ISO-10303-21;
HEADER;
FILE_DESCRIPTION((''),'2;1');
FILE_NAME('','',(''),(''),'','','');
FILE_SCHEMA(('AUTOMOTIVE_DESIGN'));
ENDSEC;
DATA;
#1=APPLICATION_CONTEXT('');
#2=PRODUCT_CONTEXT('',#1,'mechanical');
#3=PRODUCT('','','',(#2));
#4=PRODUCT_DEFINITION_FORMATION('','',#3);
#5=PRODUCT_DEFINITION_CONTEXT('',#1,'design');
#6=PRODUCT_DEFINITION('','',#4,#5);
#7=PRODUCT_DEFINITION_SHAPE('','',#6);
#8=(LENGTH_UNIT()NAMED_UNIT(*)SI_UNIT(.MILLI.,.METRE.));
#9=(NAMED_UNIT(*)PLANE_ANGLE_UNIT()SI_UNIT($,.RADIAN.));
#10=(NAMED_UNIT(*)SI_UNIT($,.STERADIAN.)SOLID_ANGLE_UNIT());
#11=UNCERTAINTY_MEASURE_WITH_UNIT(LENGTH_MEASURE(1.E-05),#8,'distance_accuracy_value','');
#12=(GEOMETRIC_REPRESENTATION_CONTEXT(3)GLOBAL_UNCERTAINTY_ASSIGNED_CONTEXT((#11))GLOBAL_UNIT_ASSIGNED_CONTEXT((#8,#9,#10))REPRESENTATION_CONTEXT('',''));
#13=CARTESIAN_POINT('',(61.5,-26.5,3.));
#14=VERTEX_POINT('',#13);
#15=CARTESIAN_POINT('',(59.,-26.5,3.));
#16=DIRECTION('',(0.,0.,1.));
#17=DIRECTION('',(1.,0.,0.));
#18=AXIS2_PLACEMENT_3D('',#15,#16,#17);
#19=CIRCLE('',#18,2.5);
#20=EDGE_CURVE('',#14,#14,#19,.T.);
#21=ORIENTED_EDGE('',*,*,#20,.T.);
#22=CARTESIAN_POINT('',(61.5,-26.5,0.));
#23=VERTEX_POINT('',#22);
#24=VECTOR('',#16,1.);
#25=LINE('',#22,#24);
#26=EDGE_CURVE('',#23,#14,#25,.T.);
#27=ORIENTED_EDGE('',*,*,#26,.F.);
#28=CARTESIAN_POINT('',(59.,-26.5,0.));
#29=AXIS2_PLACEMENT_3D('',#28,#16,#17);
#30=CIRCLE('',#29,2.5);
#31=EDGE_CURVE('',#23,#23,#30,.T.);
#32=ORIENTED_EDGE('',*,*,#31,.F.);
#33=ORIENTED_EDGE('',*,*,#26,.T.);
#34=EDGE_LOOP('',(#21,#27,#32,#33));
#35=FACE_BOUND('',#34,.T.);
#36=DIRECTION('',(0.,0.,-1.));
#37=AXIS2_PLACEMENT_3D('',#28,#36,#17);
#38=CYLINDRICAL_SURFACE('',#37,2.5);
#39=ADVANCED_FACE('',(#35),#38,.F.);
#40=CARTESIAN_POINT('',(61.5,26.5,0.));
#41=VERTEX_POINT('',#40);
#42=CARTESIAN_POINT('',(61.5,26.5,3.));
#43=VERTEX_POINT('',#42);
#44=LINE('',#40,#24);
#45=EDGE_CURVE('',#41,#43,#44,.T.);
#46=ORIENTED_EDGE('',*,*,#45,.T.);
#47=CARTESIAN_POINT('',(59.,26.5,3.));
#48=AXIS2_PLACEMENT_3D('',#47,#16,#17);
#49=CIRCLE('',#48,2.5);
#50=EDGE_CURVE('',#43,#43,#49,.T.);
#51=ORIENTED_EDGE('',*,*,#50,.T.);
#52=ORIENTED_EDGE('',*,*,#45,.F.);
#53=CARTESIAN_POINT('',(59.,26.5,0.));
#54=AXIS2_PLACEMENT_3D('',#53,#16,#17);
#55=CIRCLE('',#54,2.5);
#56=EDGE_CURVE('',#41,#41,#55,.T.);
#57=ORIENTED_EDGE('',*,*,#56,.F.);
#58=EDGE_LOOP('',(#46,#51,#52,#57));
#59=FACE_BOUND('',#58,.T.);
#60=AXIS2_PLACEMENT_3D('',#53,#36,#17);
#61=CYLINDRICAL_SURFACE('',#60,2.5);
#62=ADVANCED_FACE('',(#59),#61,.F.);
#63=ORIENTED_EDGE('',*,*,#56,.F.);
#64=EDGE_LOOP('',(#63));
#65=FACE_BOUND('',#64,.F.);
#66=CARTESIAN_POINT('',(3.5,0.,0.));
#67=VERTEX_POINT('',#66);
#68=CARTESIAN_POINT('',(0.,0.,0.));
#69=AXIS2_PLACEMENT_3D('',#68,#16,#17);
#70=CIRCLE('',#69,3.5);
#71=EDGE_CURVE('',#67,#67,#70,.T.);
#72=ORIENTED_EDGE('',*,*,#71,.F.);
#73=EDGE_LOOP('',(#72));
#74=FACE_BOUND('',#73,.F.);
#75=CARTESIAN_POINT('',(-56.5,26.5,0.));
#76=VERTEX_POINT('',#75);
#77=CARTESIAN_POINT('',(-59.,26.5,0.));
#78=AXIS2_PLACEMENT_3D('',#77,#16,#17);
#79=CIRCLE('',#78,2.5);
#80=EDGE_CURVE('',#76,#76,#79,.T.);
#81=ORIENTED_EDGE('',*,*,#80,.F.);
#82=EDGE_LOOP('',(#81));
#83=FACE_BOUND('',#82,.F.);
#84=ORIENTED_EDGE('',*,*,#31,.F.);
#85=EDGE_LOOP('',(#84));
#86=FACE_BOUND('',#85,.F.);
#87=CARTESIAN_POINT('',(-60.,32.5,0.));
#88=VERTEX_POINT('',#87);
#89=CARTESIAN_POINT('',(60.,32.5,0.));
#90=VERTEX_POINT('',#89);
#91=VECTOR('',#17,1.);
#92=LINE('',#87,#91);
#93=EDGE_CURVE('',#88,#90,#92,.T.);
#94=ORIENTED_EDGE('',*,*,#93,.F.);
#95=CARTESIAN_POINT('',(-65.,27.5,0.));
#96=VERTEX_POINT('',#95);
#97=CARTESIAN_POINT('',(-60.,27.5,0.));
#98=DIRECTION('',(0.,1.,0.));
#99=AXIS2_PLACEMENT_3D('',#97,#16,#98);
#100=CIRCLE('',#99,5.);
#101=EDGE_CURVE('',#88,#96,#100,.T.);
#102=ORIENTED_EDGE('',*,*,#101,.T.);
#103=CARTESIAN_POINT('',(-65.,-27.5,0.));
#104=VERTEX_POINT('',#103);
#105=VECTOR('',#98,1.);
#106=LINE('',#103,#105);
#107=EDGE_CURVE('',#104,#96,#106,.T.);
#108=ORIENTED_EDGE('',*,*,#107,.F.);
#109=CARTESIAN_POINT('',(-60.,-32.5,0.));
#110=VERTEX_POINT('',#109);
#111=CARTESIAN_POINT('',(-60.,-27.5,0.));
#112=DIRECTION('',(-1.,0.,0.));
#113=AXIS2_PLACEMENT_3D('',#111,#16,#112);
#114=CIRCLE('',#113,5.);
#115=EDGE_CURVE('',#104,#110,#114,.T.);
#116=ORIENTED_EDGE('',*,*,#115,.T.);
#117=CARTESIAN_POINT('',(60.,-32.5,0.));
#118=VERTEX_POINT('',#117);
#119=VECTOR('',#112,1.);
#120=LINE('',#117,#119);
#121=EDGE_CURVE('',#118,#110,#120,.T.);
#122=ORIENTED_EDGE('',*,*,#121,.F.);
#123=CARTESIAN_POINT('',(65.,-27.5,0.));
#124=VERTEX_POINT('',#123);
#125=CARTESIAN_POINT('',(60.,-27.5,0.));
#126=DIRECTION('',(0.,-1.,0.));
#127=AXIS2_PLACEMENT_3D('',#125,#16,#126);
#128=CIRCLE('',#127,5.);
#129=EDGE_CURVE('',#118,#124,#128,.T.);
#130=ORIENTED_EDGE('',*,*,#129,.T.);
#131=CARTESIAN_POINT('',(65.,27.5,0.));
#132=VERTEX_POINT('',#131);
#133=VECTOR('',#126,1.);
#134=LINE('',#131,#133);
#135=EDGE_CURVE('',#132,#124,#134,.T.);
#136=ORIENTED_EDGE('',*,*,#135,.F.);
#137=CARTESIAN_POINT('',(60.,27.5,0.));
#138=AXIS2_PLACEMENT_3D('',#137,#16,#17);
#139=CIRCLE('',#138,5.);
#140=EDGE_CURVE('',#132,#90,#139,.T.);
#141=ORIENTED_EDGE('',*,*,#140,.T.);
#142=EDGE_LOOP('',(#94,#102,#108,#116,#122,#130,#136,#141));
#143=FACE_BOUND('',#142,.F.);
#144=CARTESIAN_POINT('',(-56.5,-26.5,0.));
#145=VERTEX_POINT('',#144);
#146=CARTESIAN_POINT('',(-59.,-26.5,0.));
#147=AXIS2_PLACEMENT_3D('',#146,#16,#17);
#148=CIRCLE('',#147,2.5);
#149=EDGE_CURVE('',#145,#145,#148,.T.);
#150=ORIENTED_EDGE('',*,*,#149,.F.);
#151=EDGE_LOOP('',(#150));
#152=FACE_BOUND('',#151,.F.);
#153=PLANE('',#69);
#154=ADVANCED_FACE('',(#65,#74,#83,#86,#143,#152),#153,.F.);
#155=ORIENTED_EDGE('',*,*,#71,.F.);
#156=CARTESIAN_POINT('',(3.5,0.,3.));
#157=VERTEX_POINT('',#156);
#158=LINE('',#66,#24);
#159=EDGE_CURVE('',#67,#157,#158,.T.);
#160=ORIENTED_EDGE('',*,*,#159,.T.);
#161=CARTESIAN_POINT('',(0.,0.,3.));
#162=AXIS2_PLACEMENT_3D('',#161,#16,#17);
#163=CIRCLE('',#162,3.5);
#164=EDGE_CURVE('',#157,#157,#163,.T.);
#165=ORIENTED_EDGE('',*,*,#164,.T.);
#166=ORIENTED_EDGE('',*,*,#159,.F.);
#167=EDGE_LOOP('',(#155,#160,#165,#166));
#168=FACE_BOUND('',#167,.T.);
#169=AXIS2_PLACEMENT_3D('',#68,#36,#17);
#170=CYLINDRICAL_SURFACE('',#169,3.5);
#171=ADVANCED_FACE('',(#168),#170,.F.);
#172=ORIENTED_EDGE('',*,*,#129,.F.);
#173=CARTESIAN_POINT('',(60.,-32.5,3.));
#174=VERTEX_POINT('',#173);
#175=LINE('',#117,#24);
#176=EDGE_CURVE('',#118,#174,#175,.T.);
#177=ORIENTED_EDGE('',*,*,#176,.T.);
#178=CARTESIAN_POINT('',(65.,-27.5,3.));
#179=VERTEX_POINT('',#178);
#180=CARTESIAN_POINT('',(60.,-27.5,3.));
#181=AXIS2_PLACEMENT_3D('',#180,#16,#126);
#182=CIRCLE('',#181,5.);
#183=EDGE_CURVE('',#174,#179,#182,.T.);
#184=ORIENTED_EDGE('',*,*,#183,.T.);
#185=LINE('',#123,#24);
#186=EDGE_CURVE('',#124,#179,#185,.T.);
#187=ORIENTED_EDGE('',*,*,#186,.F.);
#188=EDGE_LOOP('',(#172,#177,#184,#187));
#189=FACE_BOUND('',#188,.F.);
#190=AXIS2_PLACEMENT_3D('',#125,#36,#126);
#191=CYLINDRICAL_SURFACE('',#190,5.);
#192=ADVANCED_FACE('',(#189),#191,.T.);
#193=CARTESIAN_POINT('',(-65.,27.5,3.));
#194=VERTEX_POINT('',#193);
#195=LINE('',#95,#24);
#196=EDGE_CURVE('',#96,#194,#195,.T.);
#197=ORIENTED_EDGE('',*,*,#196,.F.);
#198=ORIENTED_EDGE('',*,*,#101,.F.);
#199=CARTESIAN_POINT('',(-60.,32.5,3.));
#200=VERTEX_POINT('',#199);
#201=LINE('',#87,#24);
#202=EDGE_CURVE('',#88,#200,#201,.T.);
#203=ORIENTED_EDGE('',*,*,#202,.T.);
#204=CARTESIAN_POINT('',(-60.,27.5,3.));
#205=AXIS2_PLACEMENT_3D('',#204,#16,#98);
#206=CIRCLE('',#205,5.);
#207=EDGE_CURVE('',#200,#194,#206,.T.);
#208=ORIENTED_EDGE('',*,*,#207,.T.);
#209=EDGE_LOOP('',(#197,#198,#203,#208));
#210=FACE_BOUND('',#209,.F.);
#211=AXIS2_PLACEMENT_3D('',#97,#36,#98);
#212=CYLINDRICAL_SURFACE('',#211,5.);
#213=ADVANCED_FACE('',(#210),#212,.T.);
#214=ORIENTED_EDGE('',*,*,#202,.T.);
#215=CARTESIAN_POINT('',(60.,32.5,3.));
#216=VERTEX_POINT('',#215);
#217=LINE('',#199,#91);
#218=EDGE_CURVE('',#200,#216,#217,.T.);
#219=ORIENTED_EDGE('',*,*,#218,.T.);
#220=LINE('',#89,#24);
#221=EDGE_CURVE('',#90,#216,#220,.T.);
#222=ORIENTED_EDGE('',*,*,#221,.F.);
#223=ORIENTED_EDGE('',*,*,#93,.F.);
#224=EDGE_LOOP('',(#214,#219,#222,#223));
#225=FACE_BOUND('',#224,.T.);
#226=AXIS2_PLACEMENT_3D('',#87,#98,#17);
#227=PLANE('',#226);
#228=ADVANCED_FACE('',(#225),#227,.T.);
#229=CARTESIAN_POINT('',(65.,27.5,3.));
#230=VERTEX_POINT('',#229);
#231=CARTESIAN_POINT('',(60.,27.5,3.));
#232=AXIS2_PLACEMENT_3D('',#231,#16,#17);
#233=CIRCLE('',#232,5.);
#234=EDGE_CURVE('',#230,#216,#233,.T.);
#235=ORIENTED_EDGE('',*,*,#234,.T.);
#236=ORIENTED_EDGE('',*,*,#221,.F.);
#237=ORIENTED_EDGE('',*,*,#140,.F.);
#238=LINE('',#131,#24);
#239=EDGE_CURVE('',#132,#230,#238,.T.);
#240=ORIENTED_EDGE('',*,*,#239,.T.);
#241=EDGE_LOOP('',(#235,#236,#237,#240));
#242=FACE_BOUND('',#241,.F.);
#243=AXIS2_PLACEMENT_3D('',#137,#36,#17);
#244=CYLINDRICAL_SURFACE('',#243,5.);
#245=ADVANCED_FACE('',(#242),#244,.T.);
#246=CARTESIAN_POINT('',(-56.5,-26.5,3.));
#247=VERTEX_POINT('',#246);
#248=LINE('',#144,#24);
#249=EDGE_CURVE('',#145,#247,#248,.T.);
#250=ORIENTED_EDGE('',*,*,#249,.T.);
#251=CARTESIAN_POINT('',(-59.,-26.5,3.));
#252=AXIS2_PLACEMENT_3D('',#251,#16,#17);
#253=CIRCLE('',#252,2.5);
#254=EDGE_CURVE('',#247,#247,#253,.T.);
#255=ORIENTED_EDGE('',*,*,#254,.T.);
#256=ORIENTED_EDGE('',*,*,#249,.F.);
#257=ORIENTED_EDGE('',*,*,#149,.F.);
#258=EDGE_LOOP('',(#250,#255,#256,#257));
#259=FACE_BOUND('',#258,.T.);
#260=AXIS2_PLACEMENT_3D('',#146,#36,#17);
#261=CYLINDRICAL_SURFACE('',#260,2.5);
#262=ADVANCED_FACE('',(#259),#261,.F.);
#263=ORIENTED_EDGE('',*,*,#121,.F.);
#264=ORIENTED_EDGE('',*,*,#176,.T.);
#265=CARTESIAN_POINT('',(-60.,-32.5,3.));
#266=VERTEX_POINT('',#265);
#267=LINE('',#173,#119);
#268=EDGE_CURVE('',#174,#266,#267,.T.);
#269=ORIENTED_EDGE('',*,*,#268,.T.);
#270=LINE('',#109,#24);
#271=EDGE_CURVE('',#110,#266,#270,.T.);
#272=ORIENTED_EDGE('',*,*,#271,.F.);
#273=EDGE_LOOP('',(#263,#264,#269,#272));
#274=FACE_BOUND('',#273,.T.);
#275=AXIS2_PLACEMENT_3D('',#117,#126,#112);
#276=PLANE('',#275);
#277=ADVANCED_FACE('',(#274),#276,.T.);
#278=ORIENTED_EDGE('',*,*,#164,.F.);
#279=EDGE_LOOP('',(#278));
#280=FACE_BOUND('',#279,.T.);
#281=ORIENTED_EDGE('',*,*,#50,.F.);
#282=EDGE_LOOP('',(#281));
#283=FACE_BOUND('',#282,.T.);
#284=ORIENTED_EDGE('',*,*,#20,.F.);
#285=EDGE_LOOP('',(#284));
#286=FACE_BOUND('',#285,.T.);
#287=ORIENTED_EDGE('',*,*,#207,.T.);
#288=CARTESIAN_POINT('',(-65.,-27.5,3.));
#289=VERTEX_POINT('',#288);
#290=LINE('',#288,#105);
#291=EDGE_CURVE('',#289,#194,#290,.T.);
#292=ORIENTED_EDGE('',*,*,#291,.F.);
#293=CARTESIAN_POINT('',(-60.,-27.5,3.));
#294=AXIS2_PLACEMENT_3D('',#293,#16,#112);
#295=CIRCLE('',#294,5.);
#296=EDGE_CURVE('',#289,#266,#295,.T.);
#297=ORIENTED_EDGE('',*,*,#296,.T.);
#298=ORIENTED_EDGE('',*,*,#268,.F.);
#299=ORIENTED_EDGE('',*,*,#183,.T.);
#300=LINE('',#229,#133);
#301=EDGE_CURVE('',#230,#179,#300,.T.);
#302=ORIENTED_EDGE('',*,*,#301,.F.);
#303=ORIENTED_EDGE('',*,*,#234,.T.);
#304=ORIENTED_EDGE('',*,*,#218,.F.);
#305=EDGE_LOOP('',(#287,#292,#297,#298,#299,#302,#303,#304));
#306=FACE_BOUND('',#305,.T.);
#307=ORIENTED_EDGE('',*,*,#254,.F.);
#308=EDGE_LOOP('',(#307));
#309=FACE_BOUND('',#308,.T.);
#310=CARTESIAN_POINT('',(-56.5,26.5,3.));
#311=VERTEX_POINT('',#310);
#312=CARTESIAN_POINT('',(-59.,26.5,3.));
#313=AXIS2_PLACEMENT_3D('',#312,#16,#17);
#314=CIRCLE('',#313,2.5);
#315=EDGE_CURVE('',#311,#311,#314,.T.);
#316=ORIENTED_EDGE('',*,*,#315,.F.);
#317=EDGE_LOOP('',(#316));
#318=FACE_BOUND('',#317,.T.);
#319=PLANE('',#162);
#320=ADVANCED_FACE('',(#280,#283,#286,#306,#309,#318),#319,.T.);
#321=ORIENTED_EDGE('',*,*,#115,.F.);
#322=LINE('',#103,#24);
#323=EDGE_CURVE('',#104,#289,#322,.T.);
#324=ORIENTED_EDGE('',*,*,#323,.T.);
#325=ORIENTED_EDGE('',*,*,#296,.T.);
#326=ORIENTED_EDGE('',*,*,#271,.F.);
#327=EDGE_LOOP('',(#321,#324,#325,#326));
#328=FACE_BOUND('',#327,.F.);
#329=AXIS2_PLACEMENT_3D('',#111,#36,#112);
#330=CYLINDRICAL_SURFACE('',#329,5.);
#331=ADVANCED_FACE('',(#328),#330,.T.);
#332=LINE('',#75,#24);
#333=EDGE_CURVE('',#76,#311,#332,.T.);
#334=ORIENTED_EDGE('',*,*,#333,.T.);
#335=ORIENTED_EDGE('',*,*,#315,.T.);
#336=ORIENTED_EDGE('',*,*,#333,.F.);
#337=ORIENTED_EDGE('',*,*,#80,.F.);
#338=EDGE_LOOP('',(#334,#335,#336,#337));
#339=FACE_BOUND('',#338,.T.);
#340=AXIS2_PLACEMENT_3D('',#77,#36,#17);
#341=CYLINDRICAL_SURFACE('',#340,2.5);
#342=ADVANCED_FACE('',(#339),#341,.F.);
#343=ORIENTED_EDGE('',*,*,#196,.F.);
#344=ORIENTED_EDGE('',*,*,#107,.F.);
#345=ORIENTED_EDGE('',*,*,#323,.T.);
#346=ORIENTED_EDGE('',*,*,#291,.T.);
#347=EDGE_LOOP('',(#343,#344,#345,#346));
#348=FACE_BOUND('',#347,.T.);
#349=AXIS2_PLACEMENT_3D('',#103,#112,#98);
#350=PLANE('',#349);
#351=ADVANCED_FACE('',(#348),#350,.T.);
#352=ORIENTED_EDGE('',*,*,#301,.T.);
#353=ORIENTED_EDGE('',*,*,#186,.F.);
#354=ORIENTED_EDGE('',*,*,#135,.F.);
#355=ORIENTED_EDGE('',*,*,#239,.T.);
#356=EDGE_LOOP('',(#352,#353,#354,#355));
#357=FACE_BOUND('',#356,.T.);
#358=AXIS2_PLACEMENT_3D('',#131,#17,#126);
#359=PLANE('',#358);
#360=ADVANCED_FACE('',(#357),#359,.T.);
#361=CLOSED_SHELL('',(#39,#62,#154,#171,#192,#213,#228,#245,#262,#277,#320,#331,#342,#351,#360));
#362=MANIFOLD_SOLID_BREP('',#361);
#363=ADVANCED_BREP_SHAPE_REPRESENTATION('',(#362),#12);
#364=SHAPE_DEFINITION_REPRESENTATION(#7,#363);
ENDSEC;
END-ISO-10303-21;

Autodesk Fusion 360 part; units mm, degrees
sketch "Sketch1" plane through (0, 0, 0) normal (0, 0, 1) x (1, 0, 0)
  line L0 (-60, 32.5) -> (60, 32.5)
  line L1 (65, 27.5) -> (65, -27.5)
  line L2 (60, -32.5) -> (-60, -32.5)
  line L3 (-65, -27.5) -> (-65, 27.5)
  arc A0 (-60, 32.5) -> (-65, 27.5) centre (-60, 27.5) ccw
  arc A1 (-65, -27.5) -> (-60, -32.5) centre (-60, -27.5) ccw
  arc A2 (65, 27.5) -> (60, 32.5) centre (60, 27.5) ccw
  arc A3 (60, -32.5) -> (65, -27.5) centre (60, -27.5) ccw
  circle A4 centre (-59, 26.5) radius 2.5
  circle A5 centre (-59, -26.5) radius 2.5
  circle A6 centre (59, 26.5) radius 2.5
  circle A7 centre (59, -26.5) radius 2.5
  circle A8 centre (0, 0) radius 3.5
  dimension "d1" = 65
  dimension "d2" = 65
  dimension "d3" = 32.5
  dimension "d4" = 32.5
  dimension "d5" = 5
  dimension "d6" = 5
  dimension "d7" = 5
  dimension "d8" = 5
  dimension "d9" = 5
  dimension "d10" = 6
  dimension "d11" = 6
  dimension "d12" = 5
  dimension "d13" = 6
  dimension "d14" = 6
  dimension "d15" = 5
  dimension "d16" = 6
  dimension "d17" = 6
  dimension "d18" = 5
  dimension "d19" = 6
  dimension "d20" = 6
  dimension "d21" = 7
extrude "Extrude1" add sketch "Sketch1" along normal blind 3
equation "d2 = d1"
equation "d3 = ( 65 / 2 ) * 1 mm"
equation "d4 = d3"
equation "d6 = d5"
equation "d7 = d5"
equation "d8 = d5"
equation "d11 = d10"
equation "d12 = d9"
equation "d13 = d10"
equation "d14 = d10"
equation "d15 = d9"
equation "d16 = d10"
equation "d17 = d10"
equation "d18 = d9"
equation "d19 = d10"
equation "d20 = d10"
